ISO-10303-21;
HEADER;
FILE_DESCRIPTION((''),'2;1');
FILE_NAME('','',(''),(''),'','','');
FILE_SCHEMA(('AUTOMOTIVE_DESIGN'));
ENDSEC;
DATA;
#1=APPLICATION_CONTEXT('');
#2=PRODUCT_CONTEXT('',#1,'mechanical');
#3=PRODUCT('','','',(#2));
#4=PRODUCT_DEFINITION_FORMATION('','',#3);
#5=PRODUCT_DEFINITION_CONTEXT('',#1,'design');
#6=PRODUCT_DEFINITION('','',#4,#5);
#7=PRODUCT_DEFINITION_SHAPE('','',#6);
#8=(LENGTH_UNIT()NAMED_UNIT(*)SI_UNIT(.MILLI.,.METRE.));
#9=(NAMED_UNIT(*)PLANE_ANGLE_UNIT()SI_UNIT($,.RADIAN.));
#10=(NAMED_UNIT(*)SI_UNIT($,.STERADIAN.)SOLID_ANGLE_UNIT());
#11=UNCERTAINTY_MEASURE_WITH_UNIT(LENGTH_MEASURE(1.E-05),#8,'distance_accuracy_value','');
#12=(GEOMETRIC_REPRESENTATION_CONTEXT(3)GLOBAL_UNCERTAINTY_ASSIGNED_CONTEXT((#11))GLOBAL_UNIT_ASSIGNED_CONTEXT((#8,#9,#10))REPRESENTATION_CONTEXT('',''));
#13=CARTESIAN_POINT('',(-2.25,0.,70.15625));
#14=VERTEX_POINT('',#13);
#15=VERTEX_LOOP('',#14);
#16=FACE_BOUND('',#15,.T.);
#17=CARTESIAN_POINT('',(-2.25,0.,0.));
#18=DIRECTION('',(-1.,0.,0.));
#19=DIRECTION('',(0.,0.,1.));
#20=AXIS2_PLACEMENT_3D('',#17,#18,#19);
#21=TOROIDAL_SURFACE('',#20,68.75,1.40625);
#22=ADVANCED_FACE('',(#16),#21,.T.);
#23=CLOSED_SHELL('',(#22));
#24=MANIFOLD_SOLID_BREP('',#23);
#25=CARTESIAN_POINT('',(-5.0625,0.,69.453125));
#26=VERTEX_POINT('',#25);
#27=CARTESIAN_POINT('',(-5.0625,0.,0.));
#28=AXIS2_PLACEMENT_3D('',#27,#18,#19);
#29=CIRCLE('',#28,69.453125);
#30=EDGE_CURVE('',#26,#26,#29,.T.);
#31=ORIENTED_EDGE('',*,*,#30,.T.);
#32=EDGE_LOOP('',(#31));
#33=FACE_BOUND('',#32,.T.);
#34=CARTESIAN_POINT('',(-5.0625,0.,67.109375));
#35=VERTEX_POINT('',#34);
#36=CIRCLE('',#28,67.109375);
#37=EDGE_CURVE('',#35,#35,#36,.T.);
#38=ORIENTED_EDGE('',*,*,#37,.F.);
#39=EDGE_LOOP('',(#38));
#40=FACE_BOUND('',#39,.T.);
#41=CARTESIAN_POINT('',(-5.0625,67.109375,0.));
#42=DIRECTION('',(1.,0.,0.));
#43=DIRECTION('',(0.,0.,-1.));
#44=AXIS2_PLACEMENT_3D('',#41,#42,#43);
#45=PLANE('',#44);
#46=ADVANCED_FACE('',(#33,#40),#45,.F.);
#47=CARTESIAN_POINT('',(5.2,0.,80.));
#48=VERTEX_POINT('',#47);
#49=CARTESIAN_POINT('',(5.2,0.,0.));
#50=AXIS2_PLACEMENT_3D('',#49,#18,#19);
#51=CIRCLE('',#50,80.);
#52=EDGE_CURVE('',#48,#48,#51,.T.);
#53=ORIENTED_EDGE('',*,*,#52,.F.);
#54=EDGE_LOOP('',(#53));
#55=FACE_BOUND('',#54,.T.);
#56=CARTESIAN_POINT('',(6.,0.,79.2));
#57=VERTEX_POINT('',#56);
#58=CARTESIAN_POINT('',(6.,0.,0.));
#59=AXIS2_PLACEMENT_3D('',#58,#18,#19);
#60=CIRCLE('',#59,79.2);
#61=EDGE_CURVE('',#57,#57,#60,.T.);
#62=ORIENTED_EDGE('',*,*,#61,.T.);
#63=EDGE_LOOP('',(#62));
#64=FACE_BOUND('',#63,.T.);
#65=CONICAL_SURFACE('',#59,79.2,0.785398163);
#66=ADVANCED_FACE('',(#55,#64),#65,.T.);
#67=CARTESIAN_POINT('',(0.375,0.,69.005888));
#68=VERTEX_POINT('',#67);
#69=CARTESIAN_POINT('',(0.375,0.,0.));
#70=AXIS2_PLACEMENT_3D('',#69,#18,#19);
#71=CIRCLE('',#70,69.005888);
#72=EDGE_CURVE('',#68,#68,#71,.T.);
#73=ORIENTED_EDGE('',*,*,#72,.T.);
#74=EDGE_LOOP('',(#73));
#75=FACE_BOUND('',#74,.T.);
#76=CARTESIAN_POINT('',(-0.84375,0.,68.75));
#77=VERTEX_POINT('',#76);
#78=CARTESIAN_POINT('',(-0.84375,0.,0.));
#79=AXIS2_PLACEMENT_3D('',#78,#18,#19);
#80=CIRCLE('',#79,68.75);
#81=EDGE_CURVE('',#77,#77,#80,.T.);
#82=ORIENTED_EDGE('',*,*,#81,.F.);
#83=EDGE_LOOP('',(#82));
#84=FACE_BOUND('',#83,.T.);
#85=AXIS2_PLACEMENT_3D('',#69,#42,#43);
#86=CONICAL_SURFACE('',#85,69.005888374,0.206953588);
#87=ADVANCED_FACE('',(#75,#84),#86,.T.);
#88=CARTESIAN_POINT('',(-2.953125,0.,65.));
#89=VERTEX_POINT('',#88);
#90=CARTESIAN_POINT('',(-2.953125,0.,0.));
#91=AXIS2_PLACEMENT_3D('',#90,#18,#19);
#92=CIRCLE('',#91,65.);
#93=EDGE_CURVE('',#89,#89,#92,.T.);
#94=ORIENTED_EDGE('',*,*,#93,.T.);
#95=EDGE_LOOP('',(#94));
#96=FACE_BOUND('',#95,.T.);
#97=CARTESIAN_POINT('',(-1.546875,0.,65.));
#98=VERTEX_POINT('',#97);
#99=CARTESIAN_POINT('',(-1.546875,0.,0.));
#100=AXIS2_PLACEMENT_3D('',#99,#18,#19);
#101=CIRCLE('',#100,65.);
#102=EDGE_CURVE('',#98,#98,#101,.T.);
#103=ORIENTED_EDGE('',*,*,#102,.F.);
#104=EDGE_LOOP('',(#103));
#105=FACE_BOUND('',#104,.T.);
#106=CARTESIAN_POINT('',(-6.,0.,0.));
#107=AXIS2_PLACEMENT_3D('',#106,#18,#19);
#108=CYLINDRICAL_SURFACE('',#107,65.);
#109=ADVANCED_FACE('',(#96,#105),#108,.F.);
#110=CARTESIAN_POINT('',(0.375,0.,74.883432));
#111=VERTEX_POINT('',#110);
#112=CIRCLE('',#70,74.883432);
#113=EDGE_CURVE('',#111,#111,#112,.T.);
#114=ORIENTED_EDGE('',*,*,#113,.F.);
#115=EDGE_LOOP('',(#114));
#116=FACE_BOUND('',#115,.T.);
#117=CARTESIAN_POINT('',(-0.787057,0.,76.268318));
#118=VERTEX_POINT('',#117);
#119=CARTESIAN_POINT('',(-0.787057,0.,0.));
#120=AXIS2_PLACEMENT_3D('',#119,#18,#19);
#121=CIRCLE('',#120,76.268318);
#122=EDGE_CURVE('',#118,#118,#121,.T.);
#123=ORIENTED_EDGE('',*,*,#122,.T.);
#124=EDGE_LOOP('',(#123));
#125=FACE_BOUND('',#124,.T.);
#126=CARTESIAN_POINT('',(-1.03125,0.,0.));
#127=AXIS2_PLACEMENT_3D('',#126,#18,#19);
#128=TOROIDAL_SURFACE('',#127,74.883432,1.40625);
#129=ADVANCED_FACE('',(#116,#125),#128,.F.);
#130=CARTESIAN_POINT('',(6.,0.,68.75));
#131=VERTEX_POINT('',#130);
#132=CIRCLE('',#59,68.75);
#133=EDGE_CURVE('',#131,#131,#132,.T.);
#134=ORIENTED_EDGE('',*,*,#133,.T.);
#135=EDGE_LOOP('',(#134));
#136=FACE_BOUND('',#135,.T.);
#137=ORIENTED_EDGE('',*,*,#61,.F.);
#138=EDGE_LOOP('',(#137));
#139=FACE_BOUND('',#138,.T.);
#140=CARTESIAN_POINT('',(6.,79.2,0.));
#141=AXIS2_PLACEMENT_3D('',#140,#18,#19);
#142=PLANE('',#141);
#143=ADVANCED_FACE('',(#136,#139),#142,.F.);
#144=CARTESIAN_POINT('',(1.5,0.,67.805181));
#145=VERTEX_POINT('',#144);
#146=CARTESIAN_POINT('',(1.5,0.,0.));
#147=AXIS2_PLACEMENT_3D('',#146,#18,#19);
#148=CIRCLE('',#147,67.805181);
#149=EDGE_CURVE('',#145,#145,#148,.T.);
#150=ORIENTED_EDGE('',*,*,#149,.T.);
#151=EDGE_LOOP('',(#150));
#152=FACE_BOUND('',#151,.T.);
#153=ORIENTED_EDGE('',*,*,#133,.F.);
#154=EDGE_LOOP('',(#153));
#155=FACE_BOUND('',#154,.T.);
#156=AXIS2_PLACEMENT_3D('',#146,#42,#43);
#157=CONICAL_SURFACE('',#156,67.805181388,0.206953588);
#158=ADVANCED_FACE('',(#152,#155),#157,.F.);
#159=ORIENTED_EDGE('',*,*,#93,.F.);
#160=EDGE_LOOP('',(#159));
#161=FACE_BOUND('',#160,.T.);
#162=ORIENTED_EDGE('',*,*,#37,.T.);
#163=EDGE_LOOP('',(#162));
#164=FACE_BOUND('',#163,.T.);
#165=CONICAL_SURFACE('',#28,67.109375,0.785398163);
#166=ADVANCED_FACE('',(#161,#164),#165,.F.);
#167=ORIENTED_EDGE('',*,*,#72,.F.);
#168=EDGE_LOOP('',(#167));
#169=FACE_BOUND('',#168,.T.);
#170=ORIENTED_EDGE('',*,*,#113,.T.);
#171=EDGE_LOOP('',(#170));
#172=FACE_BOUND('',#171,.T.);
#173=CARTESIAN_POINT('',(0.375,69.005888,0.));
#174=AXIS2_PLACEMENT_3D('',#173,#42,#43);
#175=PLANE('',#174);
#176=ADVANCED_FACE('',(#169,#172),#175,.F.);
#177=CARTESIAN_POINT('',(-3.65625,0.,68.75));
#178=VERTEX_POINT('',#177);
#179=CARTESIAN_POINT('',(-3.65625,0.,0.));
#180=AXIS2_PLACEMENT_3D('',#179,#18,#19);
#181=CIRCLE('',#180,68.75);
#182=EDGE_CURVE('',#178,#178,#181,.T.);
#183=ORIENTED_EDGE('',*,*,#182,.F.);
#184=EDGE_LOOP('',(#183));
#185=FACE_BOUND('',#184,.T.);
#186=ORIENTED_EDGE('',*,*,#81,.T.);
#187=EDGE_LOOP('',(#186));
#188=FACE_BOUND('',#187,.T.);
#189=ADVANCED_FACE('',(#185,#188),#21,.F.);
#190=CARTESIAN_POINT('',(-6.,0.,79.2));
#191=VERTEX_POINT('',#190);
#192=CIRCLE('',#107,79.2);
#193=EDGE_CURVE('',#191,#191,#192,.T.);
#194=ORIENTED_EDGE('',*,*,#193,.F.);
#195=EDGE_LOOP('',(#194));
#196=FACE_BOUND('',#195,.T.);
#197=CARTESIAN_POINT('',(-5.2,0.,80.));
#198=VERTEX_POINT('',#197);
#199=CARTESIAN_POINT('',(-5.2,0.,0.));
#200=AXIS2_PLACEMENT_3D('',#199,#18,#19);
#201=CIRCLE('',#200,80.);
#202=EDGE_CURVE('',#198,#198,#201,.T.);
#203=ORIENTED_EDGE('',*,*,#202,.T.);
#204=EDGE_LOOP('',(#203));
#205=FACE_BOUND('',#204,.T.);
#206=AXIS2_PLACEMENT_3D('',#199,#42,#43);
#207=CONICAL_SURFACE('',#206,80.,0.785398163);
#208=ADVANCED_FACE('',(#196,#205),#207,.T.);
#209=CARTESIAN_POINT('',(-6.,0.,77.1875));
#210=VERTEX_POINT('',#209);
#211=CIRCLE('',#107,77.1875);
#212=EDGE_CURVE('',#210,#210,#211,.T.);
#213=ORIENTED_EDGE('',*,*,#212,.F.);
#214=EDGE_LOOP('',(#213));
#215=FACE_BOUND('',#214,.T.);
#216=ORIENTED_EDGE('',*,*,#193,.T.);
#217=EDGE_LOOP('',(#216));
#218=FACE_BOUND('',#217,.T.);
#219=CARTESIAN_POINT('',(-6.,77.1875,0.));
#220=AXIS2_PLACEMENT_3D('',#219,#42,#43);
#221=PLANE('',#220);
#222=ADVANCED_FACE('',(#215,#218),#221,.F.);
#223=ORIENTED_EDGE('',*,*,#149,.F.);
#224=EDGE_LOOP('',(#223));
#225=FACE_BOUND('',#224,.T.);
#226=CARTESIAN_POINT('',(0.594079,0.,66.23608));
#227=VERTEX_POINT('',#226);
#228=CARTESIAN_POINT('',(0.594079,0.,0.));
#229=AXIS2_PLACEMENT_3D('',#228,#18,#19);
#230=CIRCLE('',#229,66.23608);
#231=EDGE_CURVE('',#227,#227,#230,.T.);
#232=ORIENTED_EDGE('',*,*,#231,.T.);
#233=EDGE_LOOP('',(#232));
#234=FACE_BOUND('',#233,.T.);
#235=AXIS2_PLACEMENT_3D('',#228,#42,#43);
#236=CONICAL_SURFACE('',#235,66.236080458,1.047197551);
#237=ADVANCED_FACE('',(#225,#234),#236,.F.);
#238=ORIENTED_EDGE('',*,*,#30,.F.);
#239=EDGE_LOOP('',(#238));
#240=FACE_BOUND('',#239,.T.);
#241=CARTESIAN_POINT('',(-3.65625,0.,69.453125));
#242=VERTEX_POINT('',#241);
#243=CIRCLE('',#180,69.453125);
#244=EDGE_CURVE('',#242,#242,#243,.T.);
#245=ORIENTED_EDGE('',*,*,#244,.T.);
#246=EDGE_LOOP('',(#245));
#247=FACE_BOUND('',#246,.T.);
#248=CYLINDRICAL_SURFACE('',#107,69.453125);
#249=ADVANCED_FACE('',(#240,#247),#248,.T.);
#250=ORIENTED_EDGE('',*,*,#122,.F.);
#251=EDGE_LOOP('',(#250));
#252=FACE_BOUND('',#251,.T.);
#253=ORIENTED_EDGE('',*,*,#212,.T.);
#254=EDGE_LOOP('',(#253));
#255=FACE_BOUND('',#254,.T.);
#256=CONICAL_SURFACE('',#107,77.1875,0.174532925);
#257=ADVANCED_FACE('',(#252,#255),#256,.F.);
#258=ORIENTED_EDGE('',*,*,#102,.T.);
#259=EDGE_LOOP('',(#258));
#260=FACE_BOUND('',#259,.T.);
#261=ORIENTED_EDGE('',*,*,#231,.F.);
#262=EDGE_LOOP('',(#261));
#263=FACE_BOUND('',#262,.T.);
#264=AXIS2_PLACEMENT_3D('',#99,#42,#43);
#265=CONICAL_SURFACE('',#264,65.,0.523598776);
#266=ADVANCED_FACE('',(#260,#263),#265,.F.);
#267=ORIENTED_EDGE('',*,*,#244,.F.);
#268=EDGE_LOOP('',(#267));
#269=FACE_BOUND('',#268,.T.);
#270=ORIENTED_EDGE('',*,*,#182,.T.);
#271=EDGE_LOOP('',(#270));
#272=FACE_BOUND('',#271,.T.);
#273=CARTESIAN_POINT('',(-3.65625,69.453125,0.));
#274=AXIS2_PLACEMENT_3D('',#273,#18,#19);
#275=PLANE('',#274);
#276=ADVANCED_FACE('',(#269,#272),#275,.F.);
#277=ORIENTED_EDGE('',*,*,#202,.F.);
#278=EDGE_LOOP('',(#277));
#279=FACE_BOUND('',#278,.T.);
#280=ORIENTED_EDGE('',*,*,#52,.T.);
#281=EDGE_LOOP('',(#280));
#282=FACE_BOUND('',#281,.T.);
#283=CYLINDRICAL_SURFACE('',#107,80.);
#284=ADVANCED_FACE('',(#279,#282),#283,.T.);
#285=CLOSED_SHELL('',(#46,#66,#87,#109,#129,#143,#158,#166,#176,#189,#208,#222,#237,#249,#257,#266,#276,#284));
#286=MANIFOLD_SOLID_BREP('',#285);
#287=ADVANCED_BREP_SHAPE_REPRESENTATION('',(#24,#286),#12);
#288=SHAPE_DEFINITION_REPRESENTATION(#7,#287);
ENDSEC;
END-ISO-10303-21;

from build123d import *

# Parameters (mm, degrees)
EQ1_R = 1.40625


with BuildPart() as part:
    # eq → KR (revolve)
    with BuildSketch(Plane.XY):
        with BuildLine():
            Line((-6, 77.1875), (-6, 79.2))
            Line((-6, 79.2), (-5.2, 80))
            Line((-5.2, 80), (5.2, 80))
            Line((5.2, 80), (6, 79.2))
            Line((6, 79.2), (6, 68.75))
            Line((6, 68.75), (1.5, 67.805181388))
            Line((1.5, 67.805181388), (0.594079156, 66.236080458))
            Line((0.594079156, 66.236080458), (-1.546875, 65))
            Line((-1.546875, 65), (-2.953125, 65))
            Line((-2.953125, 65), (-5.0625, 67.109375))
            Line((-5.0625, 67.109375), (-5.0625, 69.453125))
            Line((-5.0625, 69.453125), (-3.65625, 69.453125))
            Line((-3.65625, 69.453125), (-3.65625, 68.75))
            ThreePointArc((-3.65625, 68.75), (-2.25, 67.34375), (-0.84375, 68.75))
            Line((-0.84375, 68.75), (0.375, 69.005888374))
            Line((0.375, 69.005888374), (0.375, 74.883431642))
            ThreePointArc((0.375, 74.883431642), (0.045999998, 75.787351718), (-0.78705725, 76.268317544))
            Line((-0.78705725, 76.268317544), (-6, 77.1875))
        make_face()
    revolve(axis=Axis((-6, 0, 0), (1, 0, 0)))


with BuildPart() as body_2:
    # eq1 → PR (revolve)
    with BuildSketch(Plane.XY):
        with Locations((-2.25, 68.75)):
            Circle(EQ1_R)
    revolve(axis=Axis((-6, 0, 0), (1, 0, 0)))


solid = Compound([part.part, body_2.part])
